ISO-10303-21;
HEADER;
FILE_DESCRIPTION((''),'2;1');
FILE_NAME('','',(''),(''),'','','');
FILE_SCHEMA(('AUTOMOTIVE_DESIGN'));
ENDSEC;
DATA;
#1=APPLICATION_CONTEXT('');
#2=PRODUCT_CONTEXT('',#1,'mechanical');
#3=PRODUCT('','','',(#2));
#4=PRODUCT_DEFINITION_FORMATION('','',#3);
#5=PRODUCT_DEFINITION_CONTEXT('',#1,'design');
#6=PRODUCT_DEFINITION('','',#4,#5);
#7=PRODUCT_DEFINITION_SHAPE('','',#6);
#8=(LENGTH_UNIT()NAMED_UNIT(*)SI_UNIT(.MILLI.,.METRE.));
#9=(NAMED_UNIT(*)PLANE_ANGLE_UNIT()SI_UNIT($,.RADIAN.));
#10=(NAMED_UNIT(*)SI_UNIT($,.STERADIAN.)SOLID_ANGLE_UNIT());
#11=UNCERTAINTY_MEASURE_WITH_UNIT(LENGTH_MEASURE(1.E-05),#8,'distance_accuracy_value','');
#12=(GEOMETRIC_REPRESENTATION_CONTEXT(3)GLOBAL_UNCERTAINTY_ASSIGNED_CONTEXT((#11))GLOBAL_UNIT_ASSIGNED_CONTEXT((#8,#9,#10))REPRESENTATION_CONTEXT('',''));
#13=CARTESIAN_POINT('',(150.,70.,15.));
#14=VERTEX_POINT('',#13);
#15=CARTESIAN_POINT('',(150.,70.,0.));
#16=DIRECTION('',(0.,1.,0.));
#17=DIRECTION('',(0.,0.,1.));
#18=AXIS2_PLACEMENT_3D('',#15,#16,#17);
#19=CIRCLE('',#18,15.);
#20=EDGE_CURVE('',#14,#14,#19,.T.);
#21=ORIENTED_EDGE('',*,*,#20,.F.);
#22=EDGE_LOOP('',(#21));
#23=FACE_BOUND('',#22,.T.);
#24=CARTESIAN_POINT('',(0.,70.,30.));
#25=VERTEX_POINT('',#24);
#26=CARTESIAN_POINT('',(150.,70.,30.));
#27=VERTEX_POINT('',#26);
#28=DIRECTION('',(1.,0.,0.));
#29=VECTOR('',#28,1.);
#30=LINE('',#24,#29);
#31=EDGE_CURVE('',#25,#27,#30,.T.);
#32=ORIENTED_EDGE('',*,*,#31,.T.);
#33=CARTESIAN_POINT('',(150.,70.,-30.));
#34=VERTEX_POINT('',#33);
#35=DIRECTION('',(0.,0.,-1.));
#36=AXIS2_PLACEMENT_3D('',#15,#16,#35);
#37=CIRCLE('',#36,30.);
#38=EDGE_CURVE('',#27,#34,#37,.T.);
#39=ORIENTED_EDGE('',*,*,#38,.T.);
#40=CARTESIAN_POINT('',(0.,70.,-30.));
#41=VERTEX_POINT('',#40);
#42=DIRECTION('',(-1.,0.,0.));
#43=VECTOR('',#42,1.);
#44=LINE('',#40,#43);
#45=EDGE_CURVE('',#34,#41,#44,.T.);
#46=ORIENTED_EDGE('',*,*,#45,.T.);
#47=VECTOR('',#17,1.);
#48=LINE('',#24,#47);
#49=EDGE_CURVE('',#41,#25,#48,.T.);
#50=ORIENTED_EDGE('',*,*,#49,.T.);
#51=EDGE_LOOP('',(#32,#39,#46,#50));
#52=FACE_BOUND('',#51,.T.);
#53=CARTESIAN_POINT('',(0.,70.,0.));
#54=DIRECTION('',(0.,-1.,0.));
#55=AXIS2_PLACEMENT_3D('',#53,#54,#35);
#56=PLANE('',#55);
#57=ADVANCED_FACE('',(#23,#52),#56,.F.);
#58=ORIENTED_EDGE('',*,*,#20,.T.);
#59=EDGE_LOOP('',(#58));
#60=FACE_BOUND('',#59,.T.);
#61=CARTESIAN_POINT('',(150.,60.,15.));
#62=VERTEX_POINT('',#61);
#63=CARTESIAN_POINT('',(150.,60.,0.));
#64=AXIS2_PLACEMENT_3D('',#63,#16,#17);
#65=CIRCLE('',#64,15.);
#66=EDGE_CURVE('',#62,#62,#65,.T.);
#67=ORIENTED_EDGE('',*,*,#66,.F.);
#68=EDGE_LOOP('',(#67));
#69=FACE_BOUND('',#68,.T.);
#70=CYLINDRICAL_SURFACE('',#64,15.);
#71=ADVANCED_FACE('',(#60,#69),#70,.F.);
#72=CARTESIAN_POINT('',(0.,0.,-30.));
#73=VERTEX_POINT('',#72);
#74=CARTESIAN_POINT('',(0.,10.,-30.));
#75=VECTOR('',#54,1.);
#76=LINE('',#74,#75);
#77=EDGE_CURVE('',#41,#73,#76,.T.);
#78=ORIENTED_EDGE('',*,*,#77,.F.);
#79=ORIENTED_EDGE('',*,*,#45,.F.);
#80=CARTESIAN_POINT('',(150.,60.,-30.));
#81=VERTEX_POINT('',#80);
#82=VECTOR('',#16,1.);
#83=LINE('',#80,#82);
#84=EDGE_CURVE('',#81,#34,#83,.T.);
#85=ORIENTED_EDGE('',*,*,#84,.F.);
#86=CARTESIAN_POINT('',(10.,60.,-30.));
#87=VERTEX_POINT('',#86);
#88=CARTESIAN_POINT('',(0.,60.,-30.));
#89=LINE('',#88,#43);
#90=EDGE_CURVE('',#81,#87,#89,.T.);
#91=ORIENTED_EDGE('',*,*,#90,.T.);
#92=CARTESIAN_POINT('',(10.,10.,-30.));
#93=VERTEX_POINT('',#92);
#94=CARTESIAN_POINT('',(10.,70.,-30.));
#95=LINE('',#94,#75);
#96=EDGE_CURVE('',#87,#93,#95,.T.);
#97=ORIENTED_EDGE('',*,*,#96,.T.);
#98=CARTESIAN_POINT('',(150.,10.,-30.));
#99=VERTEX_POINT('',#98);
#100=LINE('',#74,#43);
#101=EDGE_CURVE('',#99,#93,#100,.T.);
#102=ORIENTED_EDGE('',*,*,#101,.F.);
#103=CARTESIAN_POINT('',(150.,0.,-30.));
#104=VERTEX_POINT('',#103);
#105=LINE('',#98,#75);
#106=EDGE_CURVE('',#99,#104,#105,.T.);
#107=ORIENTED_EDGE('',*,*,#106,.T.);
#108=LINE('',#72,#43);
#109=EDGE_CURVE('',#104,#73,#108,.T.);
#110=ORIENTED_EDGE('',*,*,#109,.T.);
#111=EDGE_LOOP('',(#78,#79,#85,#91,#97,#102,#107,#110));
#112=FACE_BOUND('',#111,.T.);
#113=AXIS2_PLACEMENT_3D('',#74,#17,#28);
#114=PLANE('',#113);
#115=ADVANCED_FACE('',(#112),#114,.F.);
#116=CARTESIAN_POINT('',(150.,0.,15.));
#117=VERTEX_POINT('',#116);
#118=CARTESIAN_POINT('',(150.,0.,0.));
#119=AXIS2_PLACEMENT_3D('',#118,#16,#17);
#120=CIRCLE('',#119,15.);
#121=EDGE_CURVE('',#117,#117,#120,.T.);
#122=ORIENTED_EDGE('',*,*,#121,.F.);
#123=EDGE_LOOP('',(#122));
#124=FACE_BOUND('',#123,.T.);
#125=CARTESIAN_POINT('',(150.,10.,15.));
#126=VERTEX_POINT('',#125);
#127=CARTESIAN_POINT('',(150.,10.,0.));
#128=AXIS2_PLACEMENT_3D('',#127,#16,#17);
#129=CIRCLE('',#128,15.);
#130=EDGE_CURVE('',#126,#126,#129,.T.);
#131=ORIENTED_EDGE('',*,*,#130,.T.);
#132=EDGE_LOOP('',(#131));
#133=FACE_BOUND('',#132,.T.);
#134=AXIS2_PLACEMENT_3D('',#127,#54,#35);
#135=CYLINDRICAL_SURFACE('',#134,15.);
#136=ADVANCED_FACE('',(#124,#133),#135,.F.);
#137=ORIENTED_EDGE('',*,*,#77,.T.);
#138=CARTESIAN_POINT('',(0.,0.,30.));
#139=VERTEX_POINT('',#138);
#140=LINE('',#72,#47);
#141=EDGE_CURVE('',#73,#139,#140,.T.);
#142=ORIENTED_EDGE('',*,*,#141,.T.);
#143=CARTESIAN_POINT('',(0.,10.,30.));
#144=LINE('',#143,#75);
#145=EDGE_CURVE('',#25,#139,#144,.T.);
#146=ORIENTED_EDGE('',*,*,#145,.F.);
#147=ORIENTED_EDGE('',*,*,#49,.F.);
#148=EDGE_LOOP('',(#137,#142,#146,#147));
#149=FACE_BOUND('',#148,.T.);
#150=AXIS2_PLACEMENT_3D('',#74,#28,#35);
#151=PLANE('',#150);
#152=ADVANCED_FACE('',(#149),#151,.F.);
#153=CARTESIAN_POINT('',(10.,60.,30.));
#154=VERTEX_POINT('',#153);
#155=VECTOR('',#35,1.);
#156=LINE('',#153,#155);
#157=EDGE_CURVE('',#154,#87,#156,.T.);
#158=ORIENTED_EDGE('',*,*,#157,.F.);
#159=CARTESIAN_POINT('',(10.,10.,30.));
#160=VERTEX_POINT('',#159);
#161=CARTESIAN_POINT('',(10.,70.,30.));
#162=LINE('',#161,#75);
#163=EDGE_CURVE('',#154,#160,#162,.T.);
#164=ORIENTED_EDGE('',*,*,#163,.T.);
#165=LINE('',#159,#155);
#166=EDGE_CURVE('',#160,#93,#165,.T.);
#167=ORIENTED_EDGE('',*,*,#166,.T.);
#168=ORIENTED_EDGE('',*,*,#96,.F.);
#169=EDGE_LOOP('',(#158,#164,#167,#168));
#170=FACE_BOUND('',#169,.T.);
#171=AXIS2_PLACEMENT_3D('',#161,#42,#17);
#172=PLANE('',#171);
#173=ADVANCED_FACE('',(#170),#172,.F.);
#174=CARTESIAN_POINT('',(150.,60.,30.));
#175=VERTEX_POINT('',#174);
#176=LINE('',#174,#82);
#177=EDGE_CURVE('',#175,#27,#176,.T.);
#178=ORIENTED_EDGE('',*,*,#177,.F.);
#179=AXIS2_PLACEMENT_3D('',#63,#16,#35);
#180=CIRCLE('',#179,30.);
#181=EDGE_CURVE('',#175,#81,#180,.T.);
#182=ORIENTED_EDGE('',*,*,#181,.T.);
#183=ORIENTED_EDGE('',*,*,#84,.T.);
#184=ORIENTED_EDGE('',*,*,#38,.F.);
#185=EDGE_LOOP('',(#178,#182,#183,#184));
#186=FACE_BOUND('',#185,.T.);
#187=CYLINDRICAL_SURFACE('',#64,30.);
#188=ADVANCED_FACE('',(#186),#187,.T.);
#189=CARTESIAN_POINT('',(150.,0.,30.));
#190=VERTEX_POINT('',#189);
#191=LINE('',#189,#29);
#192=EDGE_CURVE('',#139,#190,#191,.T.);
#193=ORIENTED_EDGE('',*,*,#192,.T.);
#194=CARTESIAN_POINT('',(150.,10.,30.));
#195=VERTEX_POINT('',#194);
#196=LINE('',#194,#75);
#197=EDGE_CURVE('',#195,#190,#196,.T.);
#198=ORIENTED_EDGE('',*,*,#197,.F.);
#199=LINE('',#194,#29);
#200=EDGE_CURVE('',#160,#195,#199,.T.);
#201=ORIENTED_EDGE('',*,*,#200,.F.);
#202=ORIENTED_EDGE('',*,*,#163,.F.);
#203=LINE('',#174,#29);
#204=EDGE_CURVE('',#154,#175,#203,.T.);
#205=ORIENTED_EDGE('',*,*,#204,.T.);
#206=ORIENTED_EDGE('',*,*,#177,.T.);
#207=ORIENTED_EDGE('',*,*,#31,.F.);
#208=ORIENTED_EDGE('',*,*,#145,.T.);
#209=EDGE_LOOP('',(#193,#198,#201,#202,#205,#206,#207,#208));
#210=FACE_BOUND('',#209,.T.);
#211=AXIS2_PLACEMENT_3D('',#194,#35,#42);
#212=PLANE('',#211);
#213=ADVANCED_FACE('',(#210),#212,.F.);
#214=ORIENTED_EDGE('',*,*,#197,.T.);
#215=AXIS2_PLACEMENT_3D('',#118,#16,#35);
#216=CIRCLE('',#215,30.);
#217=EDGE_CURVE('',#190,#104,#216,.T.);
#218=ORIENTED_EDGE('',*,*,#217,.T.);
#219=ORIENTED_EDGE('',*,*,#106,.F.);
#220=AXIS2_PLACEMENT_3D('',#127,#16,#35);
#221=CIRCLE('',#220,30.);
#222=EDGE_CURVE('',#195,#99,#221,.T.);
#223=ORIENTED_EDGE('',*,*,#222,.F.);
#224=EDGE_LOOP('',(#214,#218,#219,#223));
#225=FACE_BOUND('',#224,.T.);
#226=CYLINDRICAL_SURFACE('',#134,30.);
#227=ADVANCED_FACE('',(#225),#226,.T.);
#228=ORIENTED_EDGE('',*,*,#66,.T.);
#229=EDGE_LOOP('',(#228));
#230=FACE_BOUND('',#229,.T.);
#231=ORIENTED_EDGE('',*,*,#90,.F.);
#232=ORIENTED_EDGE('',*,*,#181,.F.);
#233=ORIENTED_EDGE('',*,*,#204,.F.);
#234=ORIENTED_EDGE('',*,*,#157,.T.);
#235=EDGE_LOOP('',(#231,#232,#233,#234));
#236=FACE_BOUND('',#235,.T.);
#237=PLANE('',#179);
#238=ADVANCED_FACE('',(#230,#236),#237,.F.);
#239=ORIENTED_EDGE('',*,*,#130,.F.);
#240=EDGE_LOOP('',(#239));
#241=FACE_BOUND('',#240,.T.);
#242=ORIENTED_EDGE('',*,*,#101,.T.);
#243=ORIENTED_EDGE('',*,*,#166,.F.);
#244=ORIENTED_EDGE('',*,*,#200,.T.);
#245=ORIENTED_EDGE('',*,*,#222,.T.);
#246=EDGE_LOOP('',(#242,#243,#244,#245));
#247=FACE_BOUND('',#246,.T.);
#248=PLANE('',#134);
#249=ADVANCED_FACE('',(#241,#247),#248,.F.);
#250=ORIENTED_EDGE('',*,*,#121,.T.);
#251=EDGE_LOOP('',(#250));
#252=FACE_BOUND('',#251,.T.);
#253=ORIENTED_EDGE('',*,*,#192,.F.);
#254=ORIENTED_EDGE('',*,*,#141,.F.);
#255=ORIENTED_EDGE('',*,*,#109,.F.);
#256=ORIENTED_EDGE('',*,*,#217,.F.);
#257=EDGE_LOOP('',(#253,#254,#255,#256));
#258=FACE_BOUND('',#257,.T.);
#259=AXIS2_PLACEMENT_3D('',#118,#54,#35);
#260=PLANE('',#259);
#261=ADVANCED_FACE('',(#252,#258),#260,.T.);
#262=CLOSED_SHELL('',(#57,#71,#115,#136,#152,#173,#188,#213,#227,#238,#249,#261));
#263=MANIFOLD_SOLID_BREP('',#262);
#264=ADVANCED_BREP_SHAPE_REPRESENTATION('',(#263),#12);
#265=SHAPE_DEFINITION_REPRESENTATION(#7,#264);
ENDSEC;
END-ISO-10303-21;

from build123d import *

# Parameters (mm, degrees)
SKETCH1_R           = 15
BOSS_EXTRUDE1_DEPTH = 10
SKETCH2_W           = 10
SKETCH2_H           = 60
BOSS_EXTRUDE2_DEPTH = 60


with BuildPart() as part:
    # Sketch1 → Boss-Extrude1 (new body)
    with BuildSketch(Plane(origin=(0, 0, 0), x_dir=(1, 0, 0), z_dir=(0, 1, 0))):
        with BuildLine():
            Line((0, 30), (0, -30))
            Line((0, -30), (150, -30))
            ThreePointArc((150, -30), (180, 0), (150, 30))
            Line((150, 30), (0, 30))
        make_face()
        with Locations((150, 0)):
            Circle(SKETCH1_R, mode=Mode.SUBTRACT)
    boss_extrude1 = extrude(amount=BOSS_EXTRUDE1_DEPTH)

    # Sketch2 → Boss-Extrude2 (add)
    with BuildSketch(Plane(origin=(0, 10, 0), x_dir=(1, 0, 0), z_dir=(0, 1, 0))):
        with Locations((5, 0)):
            Rectangle(SKETCH2_W, SKETCH2_H)
    extrude(amount=BOSS_EXTRUDE2_DEPTH)

    # Mirror2: Boss-Extrude1 across plane
    add(boss_extrude1.mirror(Plane.ZX.offset(35)))


solid = part.part
